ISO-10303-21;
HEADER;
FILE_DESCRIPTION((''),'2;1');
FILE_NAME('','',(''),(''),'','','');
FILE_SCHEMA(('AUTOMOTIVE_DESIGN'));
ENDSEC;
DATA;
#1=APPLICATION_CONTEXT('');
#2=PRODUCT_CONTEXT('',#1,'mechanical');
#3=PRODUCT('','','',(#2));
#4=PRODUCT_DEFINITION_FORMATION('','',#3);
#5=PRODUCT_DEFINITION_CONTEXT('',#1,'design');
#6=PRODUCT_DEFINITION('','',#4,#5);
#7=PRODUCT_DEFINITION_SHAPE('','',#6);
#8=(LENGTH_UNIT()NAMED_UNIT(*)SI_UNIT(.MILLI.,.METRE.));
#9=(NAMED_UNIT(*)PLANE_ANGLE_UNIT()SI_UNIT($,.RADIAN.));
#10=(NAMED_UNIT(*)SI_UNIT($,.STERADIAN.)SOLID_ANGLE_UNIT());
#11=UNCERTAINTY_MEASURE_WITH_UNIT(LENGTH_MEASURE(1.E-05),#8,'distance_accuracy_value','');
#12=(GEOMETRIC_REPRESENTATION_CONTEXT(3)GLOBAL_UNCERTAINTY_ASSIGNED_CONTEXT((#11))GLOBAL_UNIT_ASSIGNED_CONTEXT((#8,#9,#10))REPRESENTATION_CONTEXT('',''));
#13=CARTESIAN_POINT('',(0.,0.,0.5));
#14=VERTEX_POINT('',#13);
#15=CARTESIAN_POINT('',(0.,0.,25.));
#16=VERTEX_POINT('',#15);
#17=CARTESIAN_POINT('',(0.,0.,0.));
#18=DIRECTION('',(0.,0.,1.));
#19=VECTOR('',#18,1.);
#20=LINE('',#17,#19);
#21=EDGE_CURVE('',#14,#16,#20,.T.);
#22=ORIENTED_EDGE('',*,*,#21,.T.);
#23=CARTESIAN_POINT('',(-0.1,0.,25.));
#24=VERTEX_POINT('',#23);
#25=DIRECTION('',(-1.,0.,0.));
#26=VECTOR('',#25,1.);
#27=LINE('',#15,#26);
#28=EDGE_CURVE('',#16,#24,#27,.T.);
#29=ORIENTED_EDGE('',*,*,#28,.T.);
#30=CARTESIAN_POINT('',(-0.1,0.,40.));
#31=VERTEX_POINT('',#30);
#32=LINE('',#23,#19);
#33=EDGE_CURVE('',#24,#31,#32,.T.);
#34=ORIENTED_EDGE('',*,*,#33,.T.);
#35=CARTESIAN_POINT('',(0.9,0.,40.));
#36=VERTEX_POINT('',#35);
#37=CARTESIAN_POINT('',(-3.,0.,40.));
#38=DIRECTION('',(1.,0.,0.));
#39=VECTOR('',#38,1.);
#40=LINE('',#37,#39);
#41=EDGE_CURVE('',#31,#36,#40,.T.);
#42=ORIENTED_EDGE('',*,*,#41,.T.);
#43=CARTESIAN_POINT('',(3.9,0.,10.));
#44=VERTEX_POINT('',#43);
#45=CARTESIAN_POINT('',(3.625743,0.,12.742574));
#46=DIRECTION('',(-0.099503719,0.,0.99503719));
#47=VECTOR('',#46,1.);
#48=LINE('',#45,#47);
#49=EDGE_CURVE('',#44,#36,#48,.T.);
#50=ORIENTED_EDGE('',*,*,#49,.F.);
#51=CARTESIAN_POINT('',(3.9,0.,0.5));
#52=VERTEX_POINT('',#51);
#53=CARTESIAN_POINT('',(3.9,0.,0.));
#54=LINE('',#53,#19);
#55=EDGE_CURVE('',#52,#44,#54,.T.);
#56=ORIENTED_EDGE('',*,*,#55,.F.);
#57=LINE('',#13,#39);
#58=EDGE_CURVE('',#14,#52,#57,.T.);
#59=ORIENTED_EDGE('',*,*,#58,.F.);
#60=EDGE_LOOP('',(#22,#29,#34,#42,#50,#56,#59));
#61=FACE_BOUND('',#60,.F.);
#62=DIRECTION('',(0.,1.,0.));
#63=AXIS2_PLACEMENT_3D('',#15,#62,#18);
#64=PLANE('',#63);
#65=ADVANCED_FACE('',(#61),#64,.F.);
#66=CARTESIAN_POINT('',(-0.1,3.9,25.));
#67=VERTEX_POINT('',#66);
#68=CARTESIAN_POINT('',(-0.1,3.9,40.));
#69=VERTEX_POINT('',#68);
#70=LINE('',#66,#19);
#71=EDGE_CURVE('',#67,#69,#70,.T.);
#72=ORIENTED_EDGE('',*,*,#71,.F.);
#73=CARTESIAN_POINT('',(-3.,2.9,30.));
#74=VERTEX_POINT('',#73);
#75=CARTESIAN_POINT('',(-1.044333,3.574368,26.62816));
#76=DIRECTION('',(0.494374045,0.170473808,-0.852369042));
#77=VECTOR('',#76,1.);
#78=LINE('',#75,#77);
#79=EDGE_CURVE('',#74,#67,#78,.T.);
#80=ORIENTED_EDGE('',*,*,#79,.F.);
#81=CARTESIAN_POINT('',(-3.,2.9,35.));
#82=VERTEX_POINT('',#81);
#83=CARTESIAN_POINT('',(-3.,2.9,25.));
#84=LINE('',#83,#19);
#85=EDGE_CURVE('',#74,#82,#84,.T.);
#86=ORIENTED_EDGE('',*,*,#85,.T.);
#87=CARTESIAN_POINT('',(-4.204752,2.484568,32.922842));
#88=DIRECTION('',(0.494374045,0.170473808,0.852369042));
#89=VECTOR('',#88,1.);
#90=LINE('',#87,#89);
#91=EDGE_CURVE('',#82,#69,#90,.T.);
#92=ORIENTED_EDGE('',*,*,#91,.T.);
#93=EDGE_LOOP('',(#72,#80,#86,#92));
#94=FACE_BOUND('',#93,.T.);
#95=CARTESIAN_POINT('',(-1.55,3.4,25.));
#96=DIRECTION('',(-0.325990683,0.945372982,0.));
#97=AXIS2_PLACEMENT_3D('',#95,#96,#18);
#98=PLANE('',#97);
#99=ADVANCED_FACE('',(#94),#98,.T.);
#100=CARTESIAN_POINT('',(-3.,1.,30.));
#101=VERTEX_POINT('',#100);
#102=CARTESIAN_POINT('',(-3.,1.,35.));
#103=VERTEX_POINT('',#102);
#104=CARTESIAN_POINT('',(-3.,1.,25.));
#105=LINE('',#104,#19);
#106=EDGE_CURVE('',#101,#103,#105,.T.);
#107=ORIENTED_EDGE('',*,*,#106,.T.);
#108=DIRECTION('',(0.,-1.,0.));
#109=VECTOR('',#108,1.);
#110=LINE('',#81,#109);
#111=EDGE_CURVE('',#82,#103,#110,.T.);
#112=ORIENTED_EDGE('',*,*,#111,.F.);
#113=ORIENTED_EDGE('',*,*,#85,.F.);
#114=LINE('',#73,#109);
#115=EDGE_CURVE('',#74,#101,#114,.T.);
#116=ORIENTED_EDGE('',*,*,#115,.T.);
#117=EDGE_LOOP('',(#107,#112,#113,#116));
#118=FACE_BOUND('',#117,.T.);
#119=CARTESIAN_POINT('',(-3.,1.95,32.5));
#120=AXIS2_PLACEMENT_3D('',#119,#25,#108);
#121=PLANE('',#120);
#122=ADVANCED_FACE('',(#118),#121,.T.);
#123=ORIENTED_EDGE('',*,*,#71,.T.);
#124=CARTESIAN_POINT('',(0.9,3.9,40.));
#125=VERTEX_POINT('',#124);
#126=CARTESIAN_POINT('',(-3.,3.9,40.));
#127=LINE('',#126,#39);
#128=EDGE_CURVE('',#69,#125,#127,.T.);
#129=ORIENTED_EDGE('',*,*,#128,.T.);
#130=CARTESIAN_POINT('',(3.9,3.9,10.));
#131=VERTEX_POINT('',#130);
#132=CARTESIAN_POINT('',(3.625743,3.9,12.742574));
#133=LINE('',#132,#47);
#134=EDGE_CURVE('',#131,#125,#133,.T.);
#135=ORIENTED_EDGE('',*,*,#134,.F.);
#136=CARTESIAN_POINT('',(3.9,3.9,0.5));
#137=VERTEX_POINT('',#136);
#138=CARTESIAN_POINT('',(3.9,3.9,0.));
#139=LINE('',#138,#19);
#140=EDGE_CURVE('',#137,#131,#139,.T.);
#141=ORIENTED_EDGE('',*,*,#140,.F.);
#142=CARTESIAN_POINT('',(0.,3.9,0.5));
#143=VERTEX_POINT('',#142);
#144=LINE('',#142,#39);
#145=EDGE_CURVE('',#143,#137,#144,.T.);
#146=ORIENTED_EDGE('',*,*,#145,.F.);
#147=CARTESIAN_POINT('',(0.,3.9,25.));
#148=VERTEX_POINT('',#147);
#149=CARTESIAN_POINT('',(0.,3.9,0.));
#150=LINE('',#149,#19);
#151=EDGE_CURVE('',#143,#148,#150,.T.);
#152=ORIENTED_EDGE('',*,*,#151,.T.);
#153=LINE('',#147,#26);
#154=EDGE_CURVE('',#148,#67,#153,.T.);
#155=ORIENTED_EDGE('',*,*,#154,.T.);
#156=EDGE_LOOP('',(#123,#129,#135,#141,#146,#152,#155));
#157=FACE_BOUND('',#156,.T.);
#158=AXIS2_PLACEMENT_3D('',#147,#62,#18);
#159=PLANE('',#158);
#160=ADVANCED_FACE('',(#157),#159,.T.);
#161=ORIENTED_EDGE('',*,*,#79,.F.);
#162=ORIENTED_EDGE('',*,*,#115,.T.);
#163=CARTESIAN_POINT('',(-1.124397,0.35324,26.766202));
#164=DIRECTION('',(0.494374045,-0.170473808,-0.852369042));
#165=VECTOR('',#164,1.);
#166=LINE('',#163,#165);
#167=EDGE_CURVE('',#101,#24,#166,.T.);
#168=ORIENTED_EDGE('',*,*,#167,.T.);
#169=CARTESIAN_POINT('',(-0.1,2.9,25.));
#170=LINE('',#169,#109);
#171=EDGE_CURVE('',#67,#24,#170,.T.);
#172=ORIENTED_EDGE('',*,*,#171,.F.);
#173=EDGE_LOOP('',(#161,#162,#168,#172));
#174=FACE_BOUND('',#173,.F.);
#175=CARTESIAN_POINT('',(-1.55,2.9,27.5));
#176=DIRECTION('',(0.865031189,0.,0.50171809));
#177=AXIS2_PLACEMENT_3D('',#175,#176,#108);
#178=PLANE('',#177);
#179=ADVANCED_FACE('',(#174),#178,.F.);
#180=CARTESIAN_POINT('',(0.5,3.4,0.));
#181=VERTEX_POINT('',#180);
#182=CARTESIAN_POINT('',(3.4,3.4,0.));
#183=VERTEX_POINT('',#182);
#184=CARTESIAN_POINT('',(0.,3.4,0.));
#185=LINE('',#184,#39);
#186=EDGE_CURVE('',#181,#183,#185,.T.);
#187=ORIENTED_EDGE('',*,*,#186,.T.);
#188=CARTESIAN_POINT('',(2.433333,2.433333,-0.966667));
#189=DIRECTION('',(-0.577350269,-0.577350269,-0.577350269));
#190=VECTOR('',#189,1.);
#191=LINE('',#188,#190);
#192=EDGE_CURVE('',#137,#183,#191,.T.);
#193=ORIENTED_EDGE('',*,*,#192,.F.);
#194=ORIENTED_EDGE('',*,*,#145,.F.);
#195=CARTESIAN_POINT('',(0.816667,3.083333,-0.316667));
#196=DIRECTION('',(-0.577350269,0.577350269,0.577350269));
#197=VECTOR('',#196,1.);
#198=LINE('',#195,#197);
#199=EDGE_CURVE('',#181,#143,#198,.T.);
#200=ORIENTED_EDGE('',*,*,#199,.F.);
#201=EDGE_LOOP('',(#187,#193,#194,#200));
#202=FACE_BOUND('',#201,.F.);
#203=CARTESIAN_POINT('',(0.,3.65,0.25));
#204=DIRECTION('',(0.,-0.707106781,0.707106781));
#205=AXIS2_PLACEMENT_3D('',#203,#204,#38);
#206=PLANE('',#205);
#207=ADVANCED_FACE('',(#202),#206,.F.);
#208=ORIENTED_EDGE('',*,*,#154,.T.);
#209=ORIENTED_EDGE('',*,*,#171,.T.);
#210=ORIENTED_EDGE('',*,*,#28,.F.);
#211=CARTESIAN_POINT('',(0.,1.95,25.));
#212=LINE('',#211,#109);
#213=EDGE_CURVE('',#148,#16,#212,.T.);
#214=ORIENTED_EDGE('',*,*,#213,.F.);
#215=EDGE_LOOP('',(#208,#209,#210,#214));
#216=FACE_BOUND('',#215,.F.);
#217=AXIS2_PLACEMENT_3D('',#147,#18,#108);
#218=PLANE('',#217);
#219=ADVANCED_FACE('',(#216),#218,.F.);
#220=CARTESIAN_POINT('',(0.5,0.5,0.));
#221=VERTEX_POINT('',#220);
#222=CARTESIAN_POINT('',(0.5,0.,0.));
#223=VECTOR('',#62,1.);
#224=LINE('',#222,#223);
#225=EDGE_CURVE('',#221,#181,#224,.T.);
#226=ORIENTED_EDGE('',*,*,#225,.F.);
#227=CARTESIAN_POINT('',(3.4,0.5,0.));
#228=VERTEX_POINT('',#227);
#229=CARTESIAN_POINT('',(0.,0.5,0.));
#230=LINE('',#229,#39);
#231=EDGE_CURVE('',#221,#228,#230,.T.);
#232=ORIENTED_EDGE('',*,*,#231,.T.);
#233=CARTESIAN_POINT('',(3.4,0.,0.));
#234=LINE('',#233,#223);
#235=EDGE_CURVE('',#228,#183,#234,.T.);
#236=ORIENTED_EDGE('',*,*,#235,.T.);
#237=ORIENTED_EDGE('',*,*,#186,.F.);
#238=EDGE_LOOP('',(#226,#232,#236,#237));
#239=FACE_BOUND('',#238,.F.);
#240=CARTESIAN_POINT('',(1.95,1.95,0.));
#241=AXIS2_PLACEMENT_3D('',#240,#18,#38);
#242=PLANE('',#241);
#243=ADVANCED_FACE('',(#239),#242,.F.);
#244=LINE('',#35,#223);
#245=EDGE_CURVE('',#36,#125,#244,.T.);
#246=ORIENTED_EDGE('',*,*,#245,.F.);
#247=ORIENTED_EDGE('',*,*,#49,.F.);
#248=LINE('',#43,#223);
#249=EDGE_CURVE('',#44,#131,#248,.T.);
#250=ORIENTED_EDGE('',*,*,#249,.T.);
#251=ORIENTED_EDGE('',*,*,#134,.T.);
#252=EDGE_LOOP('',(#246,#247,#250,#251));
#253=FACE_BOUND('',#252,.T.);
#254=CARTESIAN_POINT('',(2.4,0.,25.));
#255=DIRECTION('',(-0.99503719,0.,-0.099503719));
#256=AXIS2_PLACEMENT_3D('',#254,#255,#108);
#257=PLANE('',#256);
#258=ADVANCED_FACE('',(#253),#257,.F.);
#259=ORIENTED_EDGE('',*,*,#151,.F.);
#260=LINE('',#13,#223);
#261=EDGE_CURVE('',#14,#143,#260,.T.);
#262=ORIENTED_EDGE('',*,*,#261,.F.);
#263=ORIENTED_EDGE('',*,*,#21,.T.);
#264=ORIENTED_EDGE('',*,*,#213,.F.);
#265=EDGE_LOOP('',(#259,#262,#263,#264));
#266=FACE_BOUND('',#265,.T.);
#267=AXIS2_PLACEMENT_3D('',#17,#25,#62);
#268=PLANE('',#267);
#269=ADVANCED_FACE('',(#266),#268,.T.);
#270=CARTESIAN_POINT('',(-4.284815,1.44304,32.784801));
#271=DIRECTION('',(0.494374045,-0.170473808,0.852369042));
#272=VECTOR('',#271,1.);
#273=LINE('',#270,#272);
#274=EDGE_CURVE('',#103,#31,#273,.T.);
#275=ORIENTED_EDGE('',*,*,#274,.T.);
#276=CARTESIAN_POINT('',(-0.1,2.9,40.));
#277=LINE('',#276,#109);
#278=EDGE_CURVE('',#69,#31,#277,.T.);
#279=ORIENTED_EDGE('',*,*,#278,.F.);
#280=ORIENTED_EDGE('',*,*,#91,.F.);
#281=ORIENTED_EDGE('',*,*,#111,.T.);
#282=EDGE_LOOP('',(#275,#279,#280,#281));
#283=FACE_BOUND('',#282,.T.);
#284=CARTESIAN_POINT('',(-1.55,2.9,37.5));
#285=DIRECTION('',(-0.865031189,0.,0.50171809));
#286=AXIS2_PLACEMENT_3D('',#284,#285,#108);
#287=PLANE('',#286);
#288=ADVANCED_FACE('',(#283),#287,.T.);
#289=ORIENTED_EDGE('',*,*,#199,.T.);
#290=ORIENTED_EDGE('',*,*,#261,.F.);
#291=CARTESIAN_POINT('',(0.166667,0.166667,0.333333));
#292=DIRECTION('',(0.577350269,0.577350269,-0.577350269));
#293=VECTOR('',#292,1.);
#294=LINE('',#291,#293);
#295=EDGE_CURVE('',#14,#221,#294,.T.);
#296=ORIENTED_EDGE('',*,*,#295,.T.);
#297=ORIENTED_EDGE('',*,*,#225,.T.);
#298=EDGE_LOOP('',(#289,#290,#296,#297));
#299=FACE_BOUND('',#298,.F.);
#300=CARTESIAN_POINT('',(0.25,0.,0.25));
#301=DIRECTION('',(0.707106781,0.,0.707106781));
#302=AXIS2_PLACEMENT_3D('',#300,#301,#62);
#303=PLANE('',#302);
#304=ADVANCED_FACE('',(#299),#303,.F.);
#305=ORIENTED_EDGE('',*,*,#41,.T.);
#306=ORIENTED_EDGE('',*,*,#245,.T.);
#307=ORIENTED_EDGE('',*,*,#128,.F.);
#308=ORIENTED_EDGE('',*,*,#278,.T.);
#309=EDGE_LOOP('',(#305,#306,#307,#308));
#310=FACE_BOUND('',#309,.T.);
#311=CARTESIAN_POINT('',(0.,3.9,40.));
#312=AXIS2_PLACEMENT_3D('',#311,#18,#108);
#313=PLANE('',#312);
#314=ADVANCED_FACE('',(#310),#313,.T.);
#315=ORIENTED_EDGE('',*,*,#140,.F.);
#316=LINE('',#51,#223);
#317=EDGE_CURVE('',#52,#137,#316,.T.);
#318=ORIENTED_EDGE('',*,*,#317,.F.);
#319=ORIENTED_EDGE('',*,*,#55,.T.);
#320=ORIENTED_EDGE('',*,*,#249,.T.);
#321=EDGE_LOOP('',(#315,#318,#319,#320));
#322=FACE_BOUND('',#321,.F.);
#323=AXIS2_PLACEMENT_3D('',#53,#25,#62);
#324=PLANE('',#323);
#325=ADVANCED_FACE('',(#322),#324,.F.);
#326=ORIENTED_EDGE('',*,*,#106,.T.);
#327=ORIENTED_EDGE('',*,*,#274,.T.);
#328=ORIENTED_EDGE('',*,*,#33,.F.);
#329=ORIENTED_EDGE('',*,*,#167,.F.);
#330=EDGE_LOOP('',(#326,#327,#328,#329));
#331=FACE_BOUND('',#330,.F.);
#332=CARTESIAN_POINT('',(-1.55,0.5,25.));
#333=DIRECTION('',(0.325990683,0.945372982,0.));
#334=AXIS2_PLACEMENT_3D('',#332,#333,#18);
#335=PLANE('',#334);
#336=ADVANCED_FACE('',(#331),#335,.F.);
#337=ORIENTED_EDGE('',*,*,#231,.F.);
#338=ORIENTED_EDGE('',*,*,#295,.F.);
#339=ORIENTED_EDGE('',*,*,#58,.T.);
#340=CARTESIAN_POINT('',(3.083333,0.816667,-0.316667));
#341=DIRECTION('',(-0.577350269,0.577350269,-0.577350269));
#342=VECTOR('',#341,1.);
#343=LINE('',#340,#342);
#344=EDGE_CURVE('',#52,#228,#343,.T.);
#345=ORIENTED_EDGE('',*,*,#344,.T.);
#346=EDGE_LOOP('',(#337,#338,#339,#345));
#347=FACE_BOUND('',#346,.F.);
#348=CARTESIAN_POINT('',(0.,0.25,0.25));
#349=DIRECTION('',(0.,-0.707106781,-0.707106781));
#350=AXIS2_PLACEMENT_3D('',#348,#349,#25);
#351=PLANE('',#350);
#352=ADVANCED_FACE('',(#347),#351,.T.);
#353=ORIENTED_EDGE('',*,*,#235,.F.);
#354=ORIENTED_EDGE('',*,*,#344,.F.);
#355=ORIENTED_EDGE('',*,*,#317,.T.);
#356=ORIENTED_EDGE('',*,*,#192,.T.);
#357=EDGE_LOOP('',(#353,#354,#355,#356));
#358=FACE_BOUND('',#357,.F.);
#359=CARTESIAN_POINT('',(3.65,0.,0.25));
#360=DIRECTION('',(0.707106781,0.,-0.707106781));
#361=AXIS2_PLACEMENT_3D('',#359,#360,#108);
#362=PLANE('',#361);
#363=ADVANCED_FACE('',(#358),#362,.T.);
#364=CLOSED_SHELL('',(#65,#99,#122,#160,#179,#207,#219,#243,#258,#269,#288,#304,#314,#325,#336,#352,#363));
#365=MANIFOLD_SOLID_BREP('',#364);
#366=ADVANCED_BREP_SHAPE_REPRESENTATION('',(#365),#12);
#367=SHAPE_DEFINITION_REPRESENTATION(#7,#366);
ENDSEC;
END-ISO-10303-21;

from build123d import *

# Parameters (mm, degrees)
SKETCH_W         = 3.9
SKETCH_H         = 3.9
PAD_DEPTH        = 40
CHAMFER_SIZE2    = 3
CHAMFER_SIZE     = 30
CHAMFER001_SIZE  = 0.5
SKETCH001_W      = 3.9
SKETCH001_H      = 15
PAD001_DEPTH     = 3
CHAMFER002_SIZE2 = 2.9
CHAMFER002_SIZE  = 1
CHAMFER003_SIZE2 = 2.9
CHAMFER003_SIZE  = 1
CHAMFER004_SIZE2 = 2.9
CHAMFER004_SIZE  = 5
CHAMFER005_SIZE2 = 2.9
CHAMFER005_SIZE  = 5


with BuildPart() as part:
    # Sketch → Pad (new body)
    with BuildSketch(Plane.XY):
        with Locations((1.95, 1.95)):
            Rectangle(SKETCH_W, SKETCH_H)
    extrude(amount=PAD_DEPTH)

    # Chamfer
    chamfer_edges = [part.edges().sort_by_distance(p)[0] for p in [
        (3.9, 1.95, 40),
    ]]
    chamfer_side = part.faces().sort_by_distance((3.9, 1.95, 20))[0]
    chamfer(chamfer_edges, length=CHAMFER_SIZE, length2=CHAMFER_SIZE2, reference=chamfer_side)

    # Chamfer001
    chamfer001_edges = [part.edges().sort_by_distance(p)[0] for p in [
        (1.95, 0, 0),
        (3.9, 1.95, 0),
        (1.95, 3.9, 0),
        (0, 1.95, 0),
    ]]
    chamfer(chamfer001_edges, length=CHAMFER001_SIZE)

    # Sketch001 (on Face5 of Chamfer001) → Pad001 (join)
    with BuildSketch(Plane(origin=(0, 0, 0), x_dir=(0, -1, 0), z_dir=(-1, 0, 0))):
        with Locations((-1.95, 32.5)):
            Rectangle(SKETCH001_W, SKETCH001_H)
    extrude(amount=PAD001_DEPTH)

    # Chamfer002
    chamfer002_edges = [part.edges().sort_by_distance(p)[0] for p in [
        (-3, 3.9, 32.5),
    ]]
    chamfer002_side = part.faces().sort_by_distance((-3, 1.95, 32.5))[0]
    chamfer(chamfer002_edges, length=CHAMFER002_SIZE, length2=CHAMFER002_SIZE2, reference=chamfer002_side)

    # Chamfer003
    chamfer003_edges = [part.edges().sort_by_distance(p)[0] for p in [
        (-3, 0, 32.5),
    ]]
    chamfer003_side = part.faces().sort_by_distance((-3, 1.45, 32.5))[0]
    chamfer(chamfer003_edges, length=CHAMFER003_SIZE, length2=CHAMFER003_SIZE2, reference=chamfer003_side)

    # Chamfer004
    chamfer004_edges = [part.edges().sort_by_distance(p)[0] for p in [
        (-3, 1.95, 40),
    ]]
    chamfer004_side = part.faces().sort_by_distance((-3, 1.95, 32.5))[0]
    chamfer(chamfer004_edges, length=CHAMFER004_SIZE, length2=CHAMFER004_SIZE2, reference=chamfer004_side)

    # Chamfer005
    chamfer005_edges = [part.edges().sort_by_distance(p)[0] for p in [
        (-3, 1.95, 25),
    ]]
    chamfer005_side = part.faces().sort_by_distance((-3, 1.95, 30))[0]
    chamfer(chamfer005_edges, length=CHAMFER005_SIZE, length2=CHAMFER005_SIZE2, reference=chamfer005_side)


solid = part.part
